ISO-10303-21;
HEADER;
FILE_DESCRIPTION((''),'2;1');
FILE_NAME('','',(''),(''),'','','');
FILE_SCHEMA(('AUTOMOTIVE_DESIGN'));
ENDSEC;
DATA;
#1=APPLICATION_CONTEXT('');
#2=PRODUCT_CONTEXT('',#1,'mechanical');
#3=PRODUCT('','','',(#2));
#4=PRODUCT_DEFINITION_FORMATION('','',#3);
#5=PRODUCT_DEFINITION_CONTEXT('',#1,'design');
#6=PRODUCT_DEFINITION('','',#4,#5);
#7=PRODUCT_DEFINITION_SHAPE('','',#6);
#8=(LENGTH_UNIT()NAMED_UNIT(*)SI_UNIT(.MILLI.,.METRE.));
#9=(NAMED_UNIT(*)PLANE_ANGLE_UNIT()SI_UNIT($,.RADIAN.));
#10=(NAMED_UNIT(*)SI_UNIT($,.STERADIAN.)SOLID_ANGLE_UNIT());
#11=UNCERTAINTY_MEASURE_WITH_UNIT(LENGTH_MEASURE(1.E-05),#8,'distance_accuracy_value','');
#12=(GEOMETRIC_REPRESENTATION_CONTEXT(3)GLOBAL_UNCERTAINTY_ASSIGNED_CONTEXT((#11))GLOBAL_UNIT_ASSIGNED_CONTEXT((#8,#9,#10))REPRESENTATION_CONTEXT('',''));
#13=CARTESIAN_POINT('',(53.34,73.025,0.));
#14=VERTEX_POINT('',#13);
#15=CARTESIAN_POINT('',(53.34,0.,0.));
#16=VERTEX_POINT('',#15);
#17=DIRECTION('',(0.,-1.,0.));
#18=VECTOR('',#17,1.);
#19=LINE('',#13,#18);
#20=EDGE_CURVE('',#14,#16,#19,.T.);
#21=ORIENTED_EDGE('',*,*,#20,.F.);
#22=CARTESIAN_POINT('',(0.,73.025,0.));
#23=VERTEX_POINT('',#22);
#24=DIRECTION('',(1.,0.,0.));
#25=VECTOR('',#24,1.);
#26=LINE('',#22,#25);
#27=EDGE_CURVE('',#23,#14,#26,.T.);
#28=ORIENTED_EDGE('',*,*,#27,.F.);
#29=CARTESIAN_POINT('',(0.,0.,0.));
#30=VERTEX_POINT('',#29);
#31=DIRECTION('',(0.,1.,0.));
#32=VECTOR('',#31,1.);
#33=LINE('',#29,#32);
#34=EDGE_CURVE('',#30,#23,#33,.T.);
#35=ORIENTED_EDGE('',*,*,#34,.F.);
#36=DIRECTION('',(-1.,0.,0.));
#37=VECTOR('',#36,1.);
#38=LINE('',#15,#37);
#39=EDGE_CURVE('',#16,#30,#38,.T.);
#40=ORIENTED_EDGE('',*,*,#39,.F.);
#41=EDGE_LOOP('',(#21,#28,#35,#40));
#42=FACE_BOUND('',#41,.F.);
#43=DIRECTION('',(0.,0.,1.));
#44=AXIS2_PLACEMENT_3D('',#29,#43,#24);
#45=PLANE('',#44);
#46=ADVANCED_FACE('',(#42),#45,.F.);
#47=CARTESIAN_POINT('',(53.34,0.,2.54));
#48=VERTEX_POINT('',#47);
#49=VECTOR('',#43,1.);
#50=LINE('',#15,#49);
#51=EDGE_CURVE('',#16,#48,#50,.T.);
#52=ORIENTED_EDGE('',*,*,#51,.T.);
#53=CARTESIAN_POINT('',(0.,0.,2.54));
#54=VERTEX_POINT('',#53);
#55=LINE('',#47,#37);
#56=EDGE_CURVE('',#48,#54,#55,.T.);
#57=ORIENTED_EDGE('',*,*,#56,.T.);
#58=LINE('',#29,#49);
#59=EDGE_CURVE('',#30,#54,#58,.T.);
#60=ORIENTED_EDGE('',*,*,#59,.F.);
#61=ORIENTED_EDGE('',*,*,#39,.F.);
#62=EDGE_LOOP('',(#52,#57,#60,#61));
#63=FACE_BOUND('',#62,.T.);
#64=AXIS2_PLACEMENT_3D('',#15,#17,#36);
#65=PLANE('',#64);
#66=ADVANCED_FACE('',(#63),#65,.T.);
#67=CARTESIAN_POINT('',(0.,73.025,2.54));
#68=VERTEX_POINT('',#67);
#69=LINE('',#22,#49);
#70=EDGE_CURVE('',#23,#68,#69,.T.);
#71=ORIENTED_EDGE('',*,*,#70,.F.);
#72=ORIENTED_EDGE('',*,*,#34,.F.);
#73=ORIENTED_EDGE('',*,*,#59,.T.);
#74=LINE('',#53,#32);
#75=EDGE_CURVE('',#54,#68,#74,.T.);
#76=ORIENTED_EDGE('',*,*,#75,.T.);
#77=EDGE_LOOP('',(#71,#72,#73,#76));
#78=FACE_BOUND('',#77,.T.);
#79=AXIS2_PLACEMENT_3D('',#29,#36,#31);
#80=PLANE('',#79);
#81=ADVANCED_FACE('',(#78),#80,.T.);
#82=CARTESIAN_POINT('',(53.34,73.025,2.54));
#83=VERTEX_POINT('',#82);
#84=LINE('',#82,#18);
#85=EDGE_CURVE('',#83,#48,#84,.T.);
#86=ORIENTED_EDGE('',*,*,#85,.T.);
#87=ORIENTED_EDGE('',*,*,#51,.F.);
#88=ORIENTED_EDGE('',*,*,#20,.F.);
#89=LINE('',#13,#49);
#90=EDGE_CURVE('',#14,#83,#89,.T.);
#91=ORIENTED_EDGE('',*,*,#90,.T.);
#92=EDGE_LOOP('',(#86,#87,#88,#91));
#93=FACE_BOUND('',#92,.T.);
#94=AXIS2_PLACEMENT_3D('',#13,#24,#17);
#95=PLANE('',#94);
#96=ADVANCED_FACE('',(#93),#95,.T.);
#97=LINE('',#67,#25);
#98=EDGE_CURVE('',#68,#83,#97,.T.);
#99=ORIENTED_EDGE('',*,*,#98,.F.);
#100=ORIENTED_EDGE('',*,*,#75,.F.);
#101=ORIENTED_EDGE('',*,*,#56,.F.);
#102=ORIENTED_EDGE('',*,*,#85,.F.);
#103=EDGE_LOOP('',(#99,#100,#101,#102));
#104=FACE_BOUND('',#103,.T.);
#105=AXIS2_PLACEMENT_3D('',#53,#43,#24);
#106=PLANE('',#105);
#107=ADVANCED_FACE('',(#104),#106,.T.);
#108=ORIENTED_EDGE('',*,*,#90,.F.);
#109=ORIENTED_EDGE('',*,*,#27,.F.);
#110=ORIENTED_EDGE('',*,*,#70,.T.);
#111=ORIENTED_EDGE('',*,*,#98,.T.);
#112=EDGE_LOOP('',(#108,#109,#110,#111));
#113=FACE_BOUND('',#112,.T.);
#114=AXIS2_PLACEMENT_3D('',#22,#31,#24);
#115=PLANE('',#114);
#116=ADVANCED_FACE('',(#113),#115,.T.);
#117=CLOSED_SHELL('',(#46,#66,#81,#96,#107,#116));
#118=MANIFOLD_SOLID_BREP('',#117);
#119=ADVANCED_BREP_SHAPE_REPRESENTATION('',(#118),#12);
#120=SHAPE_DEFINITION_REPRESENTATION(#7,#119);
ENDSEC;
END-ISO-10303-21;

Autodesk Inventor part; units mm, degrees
ref_plane "YZ Plane" through (0, 0, 0) normal (1, 0, 0) x (0, 1, 0)
ref_plane "XZ Plane" through (0, 0, 0) normal (0, 1, 0) x (-1, 0, 0)
ref_plane "XY Plane" through (0, 0, 0) normal (0, 0, 1) x (1, 0, 0)
sketch "Sketch1" plane through (0, 0, 0) normal (0, 0, 1) x (1, 0, 0)
  line L0 (0, 0) -> (0, 73.025)
  line L1 (0, 73.025) -> (53.34, 73.025)
  line L2 (53.34, 73.025) -> (53.34, 0)
  line L3 (53.34, 0) -> (0, 0)
  dimension "d0" = 73.025
  dimension "d1" = 53.34
extrude "Extrusion1" add sketch "Sketch1" along normal blind 2.54
sketch "Sketch2" plane through (0, 0, 2.54) normal (0, 0, 1) x (1, 0, 0)
  line L0 (9.1778, 46.027) -> (44.9714, 46.027) construction
  line L1 (44.9714, 46.027) -> (44.9714, 12.4361) construction
  line L2 (44.9714, 12.4361) -> (9.1778, 12.4361) construction
  line L3 (9.1778, 12.4361) -> (9.1778, 46.027) construction
  point P0 (0, 0)
properties part number "arduino_sketch"
